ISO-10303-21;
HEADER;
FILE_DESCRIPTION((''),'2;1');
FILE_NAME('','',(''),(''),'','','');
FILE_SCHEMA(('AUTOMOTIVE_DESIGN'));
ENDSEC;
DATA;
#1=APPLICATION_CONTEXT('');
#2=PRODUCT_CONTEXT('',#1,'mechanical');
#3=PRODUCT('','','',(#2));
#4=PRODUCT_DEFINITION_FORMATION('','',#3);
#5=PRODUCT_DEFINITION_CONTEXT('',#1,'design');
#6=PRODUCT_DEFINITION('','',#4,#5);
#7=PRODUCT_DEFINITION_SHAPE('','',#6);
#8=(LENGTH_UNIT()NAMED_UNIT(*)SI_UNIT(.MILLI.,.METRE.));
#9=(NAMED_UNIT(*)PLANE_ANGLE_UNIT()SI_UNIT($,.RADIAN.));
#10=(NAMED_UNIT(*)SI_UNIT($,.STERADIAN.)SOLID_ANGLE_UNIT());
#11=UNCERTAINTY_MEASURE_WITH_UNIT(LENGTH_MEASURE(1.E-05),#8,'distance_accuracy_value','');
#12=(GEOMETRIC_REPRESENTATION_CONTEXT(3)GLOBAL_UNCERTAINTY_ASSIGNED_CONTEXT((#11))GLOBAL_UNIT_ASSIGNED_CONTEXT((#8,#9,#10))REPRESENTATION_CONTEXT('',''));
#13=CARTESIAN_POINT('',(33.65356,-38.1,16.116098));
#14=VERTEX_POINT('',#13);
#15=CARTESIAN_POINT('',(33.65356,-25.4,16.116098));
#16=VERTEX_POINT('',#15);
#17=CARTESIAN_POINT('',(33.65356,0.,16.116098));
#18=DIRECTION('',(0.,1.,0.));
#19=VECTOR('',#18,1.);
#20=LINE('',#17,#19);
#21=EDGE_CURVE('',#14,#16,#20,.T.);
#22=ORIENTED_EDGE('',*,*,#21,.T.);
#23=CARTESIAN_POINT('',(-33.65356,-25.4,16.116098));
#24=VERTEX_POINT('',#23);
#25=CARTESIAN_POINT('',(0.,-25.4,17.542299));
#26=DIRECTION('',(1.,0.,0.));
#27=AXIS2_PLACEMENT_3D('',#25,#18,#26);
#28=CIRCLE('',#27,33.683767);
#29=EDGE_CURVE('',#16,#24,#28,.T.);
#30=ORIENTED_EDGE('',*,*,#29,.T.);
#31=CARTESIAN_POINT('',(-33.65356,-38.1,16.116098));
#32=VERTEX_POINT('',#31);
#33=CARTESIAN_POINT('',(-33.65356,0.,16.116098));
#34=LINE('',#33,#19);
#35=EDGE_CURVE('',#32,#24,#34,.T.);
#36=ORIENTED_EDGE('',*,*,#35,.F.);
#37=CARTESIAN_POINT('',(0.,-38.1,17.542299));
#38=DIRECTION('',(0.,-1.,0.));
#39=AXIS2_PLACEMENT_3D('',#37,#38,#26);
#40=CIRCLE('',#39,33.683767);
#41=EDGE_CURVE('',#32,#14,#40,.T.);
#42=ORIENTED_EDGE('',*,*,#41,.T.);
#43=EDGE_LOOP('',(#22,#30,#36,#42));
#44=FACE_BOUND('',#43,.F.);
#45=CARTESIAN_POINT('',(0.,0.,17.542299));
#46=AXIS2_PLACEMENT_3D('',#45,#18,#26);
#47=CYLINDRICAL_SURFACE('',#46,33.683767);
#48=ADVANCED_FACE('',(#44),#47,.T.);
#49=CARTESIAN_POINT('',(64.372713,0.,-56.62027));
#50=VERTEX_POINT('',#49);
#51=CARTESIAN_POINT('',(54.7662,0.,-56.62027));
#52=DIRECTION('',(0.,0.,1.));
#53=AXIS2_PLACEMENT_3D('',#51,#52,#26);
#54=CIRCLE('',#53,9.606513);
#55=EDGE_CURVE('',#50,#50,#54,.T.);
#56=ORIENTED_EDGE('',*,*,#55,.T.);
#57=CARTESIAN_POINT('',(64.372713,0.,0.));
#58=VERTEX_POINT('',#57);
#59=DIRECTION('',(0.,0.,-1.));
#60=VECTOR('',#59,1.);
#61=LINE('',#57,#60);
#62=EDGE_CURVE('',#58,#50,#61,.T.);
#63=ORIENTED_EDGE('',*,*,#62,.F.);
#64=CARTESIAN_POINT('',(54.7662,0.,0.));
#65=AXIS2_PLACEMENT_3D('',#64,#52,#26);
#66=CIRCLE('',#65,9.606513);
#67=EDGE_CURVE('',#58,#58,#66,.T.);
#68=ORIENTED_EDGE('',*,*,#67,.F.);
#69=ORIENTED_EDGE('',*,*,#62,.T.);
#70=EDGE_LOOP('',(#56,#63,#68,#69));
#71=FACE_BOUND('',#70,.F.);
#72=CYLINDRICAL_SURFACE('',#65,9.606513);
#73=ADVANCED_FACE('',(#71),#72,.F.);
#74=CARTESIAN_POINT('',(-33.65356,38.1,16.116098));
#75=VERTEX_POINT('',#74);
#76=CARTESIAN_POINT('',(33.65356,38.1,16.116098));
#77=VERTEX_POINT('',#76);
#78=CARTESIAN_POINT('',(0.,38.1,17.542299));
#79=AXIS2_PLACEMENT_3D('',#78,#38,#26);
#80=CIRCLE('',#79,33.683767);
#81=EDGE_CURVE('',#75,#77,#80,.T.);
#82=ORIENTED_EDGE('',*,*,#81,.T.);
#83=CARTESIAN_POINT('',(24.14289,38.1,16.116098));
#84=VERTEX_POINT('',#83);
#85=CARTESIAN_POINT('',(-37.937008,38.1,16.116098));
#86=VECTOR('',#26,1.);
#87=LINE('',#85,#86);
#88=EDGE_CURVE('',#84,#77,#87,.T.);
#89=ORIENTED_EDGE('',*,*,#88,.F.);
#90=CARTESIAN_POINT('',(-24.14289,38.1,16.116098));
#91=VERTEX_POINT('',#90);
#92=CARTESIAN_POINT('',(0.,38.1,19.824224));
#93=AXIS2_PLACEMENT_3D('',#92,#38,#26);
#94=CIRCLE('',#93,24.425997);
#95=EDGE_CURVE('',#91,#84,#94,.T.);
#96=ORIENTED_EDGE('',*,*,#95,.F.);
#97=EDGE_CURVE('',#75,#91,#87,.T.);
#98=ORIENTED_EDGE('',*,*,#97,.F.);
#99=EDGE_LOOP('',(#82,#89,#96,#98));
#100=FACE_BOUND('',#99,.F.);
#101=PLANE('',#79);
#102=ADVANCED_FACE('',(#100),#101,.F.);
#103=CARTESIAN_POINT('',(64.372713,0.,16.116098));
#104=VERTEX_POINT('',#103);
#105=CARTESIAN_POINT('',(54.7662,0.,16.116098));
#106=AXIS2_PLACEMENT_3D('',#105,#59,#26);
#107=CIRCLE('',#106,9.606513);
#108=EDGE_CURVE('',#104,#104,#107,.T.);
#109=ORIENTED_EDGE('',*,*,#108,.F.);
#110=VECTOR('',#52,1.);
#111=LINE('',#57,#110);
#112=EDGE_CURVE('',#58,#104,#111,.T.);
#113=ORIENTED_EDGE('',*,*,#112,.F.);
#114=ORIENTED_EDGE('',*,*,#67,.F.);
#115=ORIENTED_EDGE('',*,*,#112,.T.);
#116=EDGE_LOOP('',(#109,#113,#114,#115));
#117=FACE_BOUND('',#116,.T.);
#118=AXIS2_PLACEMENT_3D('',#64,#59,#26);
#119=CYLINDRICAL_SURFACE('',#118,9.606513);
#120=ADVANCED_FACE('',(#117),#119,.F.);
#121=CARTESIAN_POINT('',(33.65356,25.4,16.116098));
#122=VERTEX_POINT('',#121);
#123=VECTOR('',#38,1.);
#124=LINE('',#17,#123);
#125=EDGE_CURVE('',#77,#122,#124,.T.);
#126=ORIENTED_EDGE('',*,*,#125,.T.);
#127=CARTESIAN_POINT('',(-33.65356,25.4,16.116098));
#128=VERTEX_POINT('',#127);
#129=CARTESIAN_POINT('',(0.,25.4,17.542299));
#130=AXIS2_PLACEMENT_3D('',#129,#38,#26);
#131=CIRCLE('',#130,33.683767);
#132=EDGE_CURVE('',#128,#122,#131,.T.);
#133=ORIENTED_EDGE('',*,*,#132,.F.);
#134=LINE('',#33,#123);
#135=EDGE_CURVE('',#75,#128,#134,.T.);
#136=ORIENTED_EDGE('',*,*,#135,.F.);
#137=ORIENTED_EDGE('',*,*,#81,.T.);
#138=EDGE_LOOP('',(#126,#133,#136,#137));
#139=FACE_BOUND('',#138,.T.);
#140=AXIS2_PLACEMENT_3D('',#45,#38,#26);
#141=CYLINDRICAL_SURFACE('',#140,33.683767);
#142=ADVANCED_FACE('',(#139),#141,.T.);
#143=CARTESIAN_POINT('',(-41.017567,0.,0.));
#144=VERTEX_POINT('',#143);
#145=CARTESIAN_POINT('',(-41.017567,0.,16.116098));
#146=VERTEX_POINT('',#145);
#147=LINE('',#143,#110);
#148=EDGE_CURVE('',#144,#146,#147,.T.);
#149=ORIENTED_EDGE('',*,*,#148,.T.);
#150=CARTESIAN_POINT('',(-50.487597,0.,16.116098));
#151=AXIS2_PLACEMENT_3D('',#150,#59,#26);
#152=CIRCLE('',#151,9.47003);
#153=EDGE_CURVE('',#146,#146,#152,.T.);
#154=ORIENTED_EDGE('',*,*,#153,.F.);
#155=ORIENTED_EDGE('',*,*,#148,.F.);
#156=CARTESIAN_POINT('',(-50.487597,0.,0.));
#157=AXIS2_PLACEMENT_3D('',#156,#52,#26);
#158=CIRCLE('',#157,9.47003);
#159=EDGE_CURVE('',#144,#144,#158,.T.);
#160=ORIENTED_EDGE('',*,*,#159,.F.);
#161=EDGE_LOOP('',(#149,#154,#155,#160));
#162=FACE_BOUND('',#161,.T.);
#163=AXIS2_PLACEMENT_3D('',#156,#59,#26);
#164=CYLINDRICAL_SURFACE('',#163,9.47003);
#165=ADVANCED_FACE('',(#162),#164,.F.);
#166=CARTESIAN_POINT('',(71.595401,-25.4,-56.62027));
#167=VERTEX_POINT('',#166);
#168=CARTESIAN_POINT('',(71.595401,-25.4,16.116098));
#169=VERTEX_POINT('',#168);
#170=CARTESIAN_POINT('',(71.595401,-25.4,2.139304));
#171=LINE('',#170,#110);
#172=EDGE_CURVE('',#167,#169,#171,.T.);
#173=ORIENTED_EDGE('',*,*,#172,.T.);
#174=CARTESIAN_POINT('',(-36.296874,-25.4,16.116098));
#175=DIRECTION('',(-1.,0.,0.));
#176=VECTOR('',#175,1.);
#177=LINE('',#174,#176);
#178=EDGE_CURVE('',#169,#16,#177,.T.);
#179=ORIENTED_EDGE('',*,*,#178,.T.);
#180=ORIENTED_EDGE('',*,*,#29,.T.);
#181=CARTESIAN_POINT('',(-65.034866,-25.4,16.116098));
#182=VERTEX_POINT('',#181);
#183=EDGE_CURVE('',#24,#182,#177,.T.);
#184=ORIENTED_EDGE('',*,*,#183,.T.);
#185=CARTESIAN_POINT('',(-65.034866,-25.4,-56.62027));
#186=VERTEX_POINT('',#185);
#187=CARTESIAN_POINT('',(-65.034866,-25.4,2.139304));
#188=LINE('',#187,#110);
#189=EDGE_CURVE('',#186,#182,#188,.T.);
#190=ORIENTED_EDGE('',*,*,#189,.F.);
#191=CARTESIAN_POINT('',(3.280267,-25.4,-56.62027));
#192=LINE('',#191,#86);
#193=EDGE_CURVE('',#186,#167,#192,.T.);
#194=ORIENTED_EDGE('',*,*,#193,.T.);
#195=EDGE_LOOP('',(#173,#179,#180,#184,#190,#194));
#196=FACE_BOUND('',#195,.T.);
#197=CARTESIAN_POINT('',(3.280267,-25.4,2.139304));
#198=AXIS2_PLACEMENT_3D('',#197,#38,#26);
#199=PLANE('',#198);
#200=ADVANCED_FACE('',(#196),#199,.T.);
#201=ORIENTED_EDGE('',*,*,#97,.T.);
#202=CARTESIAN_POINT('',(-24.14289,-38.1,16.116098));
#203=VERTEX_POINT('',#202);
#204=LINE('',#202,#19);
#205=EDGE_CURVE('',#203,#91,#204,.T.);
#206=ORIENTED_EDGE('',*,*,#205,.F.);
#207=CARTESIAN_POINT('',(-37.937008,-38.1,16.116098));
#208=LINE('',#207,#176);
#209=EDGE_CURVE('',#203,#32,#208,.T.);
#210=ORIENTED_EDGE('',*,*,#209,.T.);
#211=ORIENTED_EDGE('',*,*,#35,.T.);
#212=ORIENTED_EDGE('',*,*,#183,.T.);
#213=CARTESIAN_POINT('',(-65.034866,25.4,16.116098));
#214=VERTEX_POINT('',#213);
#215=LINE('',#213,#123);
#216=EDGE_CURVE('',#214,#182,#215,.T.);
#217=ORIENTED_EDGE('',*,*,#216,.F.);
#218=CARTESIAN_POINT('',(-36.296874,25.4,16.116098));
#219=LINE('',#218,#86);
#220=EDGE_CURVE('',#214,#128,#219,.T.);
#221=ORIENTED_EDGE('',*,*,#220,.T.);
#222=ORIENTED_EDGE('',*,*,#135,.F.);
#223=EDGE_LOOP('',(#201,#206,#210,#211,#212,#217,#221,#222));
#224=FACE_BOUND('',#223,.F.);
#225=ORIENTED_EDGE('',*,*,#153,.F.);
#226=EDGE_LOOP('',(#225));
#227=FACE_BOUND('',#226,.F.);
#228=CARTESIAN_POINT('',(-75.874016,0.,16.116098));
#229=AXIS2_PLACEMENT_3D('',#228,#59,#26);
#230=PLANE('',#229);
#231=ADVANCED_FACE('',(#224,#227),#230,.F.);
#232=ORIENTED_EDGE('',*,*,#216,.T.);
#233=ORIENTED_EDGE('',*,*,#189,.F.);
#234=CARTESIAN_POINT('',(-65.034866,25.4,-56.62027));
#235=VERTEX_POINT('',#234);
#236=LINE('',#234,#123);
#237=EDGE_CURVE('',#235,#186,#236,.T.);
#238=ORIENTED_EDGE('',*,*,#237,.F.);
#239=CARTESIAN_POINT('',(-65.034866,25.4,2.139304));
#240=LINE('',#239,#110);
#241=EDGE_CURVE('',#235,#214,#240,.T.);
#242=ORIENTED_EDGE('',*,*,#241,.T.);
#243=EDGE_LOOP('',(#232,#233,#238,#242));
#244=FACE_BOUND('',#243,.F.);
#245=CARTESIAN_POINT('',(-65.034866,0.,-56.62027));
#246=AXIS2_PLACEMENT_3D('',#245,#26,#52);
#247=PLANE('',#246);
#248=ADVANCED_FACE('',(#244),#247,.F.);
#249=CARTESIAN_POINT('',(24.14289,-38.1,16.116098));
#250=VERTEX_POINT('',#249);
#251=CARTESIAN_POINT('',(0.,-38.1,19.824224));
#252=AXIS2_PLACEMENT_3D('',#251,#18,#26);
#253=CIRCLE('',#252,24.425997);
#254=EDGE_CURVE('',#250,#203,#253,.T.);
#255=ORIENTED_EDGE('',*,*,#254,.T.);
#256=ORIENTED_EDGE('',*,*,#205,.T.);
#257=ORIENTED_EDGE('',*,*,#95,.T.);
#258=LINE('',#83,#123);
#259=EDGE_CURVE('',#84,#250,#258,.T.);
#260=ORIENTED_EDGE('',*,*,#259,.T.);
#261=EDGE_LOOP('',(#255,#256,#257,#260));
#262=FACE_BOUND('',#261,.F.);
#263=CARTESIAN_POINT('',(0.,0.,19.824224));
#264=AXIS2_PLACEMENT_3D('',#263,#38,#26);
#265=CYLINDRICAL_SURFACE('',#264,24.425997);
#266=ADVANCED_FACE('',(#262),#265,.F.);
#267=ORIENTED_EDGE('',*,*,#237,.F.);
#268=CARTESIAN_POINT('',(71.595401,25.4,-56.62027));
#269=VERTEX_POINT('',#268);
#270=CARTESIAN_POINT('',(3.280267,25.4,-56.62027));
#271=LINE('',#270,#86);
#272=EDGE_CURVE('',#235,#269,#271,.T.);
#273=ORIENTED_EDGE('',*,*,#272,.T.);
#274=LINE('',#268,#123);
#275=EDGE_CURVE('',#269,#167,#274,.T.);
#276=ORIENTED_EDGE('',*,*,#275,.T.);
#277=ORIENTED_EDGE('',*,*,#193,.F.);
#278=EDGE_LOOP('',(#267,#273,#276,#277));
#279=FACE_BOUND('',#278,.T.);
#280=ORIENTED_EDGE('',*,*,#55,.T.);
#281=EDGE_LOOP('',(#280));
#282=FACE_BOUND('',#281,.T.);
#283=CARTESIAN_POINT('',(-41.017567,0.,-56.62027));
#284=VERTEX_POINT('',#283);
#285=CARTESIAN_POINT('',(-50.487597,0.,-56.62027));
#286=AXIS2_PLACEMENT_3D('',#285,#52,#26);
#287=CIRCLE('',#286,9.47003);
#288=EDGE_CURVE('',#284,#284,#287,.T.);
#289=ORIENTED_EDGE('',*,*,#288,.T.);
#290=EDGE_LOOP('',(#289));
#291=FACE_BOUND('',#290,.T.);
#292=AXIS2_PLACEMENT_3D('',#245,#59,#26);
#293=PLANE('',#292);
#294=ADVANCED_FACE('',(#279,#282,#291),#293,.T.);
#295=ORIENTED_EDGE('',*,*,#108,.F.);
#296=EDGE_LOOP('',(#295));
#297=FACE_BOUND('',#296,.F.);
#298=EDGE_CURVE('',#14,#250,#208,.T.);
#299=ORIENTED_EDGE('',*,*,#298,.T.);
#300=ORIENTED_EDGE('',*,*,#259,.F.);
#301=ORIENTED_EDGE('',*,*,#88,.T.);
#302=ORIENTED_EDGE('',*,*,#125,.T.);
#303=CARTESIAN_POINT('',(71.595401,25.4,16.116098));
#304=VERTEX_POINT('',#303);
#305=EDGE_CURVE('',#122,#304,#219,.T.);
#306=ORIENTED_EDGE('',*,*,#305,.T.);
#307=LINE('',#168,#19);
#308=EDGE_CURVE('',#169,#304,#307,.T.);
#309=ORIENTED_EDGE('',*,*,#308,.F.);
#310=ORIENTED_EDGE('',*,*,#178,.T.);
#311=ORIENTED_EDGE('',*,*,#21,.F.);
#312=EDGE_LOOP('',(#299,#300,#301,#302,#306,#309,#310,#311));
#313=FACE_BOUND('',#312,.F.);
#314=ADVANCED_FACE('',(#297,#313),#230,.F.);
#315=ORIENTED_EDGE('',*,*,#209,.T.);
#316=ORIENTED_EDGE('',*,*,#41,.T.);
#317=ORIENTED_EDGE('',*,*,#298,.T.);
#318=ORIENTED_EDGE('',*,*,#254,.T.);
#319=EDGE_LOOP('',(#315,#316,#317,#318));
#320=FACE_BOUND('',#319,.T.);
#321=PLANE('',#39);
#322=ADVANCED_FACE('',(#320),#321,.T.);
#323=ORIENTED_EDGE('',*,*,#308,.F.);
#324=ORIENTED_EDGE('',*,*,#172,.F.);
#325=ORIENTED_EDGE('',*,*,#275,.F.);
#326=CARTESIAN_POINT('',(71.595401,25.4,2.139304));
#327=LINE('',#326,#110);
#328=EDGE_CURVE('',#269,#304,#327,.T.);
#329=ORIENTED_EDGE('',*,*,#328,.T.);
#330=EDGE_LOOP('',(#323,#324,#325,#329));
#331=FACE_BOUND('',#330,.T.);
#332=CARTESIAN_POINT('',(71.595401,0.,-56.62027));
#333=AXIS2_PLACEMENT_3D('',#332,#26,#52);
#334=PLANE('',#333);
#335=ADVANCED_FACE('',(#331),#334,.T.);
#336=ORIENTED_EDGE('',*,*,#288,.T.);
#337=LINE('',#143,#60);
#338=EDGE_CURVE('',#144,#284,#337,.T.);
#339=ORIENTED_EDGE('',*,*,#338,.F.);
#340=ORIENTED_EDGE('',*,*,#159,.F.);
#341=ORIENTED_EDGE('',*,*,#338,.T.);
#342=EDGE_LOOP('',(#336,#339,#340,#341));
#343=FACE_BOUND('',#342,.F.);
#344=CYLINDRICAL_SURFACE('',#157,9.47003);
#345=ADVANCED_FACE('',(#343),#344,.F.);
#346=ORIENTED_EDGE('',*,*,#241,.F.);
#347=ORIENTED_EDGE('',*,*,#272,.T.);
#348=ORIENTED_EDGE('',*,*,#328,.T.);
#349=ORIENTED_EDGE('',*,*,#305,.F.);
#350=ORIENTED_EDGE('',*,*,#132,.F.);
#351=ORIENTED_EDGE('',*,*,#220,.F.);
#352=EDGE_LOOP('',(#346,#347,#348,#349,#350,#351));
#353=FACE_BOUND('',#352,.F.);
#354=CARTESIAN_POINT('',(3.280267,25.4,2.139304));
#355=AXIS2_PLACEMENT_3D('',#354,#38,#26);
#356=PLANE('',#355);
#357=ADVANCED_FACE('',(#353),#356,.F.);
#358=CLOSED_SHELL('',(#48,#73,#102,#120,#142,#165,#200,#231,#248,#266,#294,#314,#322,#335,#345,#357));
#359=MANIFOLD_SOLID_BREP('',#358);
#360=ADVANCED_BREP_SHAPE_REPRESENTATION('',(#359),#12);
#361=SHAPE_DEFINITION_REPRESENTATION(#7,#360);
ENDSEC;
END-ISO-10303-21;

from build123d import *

# Parameters (mm, degrees)
F0_W          = 136.6302669048
F0_H          = 117.5191476941
F1_DEPTH      = 25.4
F1_DEPTH_BACK = 25.4
F2_R          = 33.6837672498
F3_DEPTH      = 38.1
F3_DEPTH_BACK = 38.1
F4_R          = 24.4259968854
F5_DEPTH      = 38.101
F5_DEPTH_BACK = 38.101
F6_W          = 151.7480313778
F6_H          = 49.3466332555
F7_DEPTH      = 38.101
F7_DEPTH_BACK = 38.101
F8_R          = 9.4700300279
F8_R_2        = 9.6065127636
F9_DEPTH      = 56.6212700138
F9_DEPTH_BACK = 16.1170975695


with BuildPart() as f1:
    # F0 (on Front) → F1 (new body, two sides)
    with BuildSketch(Plane.XZ) as f1_sk:
        with Locations((3.2802671194, 2.1393038332)):
            Rectangle(F0_W, F0_H)
    extrude(amount=F1_DEPTH)
    extrude(f1_sk.sketch, amount=-F1_DEPTH_BACK)

    # F2 (on Front) → F3 (join, two sides)
    with BuildSketch(Plane.XZ) as f3_sk:
        with Locations((0, 17.5422988832)):
            Circle(F2_R)
    extrude(amount=F3_DEPTH)
    extrude(f3_sk.sketch, amount=-F3_DEPTH_BACK)

    # F4 (on Front) → F5 (cut, two sides)
    with BuildSketch(Plane.XZ) as f5_sk:
        with Locations((0, 19.8242235929)):
            Circle(F4_R)
    extrude(amount=-F5_DEPTH, mode=Mode.SUBTRACT)
    extrude(f5_sk.sketch, amount=F5_DEPTH_BACK, mode=Mode.SUBTRACT)

    # F6 (on Front) → F7 (cut, two sides)
    with BuildSketch(Plane.XZ) as f7_sk:
        with Locations((0, 40.7894141972)):
            Rectangle(F6_W, F6_H)
    extrude(amount=-F7_DEPTH, mode=Mode.SUBTRACT)
    extrude(f7_sk.sketch, amount=F7_DEPTH_BACK, mode=Mode.SUBTRACT)

    # F8 (on Top) → F9 (cut, two sides)
    with BuildSketch(Plane.XY) as f9_sk:
        with Locations((-50.4875965416, 0)):
            Circle(F8_R)
        with Locations((54.7662004828, 0)):
            Circle(F8_R_2)
    extrude(amount=-F9_DEPTH, mode=Mode.SUBTRACT)
    extrude(f9_sk.sketch, amount=F9_DEPTH_BACK, mode=Mode.SUBTRACT)


solid = f1.part
